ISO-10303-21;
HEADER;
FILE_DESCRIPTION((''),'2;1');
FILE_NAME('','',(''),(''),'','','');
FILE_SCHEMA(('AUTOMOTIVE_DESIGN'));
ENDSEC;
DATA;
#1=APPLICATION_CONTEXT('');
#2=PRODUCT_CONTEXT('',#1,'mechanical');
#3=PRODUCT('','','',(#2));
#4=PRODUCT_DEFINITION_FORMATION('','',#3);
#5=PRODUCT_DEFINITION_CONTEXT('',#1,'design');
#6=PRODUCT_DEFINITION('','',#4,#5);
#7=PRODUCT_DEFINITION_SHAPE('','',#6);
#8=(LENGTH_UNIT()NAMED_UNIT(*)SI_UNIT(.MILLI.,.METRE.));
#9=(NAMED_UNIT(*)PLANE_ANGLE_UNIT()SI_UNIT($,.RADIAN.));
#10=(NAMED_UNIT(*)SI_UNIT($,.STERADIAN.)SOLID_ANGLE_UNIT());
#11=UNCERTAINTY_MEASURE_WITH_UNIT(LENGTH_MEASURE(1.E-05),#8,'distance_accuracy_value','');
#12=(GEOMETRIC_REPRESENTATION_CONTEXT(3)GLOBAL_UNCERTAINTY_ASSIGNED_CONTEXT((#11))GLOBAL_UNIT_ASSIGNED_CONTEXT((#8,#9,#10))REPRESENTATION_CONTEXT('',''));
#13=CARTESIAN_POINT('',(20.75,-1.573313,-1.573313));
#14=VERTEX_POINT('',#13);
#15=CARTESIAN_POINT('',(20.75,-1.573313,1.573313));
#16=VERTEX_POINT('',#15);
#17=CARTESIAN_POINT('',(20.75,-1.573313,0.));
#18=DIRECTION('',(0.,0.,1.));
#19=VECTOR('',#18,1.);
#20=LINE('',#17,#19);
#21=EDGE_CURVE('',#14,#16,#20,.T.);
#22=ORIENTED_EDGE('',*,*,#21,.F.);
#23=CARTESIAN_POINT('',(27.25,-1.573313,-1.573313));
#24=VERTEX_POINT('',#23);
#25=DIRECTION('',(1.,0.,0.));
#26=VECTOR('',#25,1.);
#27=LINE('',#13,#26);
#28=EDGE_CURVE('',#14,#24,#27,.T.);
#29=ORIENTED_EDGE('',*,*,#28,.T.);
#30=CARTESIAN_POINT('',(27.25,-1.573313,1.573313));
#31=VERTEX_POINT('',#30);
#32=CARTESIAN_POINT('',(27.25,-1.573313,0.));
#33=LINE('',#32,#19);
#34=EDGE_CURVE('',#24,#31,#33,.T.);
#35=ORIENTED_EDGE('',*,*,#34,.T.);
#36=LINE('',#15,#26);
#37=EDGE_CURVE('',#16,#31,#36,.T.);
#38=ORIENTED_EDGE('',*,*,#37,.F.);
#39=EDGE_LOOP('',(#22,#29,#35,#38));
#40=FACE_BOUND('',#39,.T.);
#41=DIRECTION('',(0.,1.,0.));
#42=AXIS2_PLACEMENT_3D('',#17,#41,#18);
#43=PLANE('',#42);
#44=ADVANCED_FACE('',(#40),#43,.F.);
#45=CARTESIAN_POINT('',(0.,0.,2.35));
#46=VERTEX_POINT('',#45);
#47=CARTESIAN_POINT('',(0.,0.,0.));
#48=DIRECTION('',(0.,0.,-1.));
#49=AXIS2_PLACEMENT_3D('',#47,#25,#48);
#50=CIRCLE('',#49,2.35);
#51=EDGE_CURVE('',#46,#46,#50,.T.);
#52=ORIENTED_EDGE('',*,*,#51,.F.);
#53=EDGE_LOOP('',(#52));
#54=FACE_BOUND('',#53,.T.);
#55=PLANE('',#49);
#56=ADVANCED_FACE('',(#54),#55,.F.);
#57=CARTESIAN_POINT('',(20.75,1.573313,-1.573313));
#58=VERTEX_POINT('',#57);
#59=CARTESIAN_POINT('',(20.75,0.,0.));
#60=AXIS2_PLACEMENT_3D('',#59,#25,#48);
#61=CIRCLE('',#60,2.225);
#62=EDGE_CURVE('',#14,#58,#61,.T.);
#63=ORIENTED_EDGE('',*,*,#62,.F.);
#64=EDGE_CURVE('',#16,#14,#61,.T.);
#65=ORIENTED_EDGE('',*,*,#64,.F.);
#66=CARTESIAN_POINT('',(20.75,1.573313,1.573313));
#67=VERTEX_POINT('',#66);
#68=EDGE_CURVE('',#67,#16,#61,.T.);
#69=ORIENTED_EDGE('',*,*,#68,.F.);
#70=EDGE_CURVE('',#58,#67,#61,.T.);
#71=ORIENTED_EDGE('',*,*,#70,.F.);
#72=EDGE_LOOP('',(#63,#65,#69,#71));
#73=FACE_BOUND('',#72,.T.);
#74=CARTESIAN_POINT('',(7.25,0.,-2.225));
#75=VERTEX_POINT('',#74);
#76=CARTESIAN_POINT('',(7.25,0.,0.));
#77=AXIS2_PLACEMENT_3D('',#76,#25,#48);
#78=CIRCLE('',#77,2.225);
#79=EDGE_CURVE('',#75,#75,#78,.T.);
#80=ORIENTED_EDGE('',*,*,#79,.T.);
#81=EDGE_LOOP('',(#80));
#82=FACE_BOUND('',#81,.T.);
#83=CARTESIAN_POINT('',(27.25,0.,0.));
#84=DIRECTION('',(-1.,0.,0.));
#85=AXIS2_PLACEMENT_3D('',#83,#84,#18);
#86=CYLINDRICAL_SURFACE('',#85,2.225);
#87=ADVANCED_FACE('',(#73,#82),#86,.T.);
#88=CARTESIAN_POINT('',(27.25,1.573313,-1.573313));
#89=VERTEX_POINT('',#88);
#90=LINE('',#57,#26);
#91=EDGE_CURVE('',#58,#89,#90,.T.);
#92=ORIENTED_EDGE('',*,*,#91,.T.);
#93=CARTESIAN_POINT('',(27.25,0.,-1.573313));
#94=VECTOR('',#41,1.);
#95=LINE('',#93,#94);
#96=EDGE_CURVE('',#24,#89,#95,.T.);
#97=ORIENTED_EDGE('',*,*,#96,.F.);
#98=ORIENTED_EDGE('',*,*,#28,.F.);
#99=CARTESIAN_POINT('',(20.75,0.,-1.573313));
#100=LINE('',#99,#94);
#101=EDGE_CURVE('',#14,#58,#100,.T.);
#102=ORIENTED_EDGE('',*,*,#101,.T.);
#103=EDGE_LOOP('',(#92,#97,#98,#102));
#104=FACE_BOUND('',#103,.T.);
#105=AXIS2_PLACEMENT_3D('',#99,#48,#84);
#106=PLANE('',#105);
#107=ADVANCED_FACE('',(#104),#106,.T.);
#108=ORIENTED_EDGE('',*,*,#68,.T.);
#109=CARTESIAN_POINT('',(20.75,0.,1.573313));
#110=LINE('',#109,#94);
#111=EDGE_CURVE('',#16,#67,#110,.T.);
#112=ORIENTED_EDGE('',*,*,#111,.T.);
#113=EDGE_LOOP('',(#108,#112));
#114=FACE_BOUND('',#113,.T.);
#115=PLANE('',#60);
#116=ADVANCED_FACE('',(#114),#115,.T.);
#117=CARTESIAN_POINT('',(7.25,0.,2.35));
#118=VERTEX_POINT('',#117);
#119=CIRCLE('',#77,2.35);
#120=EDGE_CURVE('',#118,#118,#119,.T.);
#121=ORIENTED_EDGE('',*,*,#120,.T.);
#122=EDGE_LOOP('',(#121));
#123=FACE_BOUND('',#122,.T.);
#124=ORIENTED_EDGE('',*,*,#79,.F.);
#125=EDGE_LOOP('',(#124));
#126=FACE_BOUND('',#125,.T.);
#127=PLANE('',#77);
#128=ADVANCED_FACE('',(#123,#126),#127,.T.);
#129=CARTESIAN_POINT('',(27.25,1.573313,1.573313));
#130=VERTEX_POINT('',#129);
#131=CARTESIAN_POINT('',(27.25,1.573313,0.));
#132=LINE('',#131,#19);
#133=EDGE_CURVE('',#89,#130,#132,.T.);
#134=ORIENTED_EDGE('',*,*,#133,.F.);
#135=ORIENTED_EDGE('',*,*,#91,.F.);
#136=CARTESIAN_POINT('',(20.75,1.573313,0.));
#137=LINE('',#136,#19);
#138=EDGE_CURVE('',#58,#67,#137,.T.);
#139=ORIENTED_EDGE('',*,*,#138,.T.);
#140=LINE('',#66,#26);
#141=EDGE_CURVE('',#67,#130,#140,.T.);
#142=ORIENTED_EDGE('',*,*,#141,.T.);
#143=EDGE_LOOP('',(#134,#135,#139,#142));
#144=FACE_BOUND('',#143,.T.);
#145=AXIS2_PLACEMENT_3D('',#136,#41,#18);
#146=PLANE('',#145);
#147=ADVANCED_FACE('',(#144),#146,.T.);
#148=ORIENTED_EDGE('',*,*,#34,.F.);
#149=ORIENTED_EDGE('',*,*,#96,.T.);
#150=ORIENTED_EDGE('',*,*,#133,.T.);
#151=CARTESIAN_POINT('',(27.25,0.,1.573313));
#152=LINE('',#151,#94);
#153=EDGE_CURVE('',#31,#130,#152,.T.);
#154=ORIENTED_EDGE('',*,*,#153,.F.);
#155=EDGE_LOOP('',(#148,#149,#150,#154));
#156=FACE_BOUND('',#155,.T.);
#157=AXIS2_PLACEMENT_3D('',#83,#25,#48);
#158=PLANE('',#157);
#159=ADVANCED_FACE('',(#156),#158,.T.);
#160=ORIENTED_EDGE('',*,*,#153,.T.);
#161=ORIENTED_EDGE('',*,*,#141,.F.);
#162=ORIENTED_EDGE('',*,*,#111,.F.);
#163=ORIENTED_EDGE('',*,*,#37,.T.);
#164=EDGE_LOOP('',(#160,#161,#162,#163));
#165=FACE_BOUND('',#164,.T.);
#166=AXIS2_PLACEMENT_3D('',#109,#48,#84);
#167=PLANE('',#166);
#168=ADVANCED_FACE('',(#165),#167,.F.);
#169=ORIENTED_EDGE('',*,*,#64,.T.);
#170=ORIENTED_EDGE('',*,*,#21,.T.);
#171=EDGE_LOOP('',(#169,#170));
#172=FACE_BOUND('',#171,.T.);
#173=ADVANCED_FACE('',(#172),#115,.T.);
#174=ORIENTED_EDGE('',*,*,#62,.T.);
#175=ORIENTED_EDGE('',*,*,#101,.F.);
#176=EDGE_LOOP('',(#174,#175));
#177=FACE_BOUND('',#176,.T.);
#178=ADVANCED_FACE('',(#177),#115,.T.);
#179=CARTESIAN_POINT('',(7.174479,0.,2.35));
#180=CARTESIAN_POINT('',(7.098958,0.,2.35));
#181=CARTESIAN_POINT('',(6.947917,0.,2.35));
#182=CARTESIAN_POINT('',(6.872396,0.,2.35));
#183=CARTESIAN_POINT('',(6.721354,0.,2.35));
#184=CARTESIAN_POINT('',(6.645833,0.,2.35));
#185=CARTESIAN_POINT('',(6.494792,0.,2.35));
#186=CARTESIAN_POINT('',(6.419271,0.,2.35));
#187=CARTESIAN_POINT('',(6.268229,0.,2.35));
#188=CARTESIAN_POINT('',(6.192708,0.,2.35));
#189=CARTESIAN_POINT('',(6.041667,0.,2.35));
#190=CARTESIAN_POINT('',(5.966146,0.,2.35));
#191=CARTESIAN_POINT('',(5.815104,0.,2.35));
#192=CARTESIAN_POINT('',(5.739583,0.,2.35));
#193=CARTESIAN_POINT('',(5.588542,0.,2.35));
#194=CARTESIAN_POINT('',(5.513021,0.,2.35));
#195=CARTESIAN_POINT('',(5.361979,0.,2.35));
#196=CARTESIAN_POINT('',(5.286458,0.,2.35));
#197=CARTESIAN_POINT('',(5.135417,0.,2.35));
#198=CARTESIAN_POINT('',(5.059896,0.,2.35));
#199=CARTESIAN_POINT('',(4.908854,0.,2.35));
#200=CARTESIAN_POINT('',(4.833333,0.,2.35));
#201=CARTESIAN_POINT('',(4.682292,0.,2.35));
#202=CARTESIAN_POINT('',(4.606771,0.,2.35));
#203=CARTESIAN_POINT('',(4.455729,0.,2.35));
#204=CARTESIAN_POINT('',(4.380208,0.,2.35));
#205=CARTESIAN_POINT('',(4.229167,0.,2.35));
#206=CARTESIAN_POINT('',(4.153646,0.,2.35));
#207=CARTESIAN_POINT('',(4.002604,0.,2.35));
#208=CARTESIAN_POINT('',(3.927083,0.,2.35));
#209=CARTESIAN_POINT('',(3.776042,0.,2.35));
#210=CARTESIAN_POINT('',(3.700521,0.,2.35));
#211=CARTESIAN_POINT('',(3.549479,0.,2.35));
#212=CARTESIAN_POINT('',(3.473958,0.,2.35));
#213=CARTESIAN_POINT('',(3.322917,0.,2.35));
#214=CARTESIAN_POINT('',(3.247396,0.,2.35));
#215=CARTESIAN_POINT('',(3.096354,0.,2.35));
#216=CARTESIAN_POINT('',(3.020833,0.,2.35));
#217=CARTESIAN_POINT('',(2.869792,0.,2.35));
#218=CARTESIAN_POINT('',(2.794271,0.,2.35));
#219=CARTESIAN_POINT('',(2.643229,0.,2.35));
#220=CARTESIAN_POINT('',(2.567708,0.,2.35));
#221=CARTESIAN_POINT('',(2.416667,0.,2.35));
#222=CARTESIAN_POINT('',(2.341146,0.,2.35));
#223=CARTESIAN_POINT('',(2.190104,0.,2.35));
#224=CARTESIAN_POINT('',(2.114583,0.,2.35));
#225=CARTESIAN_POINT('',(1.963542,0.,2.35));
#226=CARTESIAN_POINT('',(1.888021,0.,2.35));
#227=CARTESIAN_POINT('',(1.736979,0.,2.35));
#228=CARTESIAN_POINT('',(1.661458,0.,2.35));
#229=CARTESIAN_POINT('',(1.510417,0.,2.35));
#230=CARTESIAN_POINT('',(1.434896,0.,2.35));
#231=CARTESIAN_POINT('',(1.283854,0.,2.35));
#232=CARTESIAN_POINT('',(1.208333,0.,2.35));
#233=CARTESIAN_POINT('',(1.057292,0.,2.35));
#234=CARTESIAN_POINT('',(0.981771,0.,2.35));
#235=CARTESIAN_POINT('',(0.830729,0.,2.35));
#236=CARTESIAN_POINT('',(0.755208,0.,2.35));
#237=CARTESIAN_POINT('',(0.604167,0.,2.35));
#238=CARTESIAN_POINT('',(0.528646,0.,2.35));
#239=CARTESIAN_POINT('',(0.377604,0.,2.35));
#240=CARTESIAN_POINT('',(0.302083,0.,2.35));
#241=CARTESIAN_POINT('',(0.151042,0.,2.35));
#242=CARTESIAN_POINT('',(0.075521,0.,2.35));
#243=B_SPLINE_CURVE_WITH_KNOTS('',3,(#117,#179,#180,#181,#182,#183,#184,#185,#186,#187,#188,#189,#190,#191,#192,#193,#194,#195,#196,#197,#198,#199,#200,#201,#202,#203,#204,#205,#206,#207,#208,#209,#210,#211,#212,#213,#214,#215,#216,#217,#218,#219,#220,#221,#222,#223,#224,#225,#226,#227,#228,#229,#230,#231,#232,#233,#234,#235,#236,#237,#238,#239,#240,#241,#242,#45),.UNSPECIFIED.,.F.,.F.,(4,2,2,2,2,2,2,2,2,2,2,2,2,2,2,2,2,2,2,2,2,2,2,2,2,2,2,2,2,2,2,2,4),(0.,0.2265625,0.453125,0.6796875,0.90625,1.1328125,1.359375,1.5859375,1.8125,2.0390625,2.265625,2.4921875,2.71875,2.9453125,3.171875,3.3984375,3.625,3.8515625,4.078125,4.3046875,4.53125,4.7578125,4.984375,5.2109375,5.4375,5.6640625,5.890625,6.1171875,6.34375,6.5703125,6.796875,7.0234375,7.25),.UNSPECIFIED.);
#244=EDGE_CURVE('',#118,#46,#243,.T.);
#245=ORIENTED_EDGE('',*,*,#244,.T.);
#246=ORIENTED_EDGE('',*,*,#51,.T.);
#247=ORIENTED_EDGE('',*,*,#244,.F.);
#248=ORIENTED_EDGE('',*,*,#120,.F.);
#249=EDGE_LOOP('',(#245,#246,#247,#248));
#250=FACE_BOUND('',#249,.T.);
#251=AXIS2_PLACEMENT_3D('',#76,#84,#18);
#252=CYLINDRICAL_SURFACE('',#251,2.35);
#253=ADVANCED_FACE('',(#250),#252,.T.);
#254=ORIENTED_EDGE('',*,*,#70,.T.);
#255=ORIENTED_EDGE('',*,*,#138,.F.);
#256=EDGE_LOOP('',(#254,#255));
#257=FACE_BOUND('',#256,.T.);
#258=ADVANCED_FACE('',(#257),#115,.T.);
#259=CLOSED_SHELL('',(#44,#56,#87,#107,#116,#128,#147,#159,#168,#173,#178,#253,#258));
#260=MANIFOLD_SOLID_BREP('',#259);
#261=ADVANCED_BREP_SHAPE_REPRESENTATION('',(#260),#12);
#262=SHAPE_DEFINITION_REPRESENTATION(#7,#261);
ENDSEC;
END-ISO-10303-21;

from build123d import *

# Parameters (mm, degrees)
CROQUIS1_R              = 2.35
CROQUIS1_R_2            = 2.225
SALIENTE_EXTRUIR1_DEPTH = 7.25
SALIENTE_EXTRUIR2_START = 7.25
CROQUIS1_3_R            = 2.225
SALIENTE_EXTRUIR2_DEPTH = 20
CORTAR_EXTRUIR1_START   = -6.5
CORTAR_EXTRUIR1_DEPTH   = 6.5


with BuildPart() as part:
    # Croquis1 → Saliente-Extruir1 (new body)
    # profile 1 of 2: a face of its own
    with BuildSketch(Plane.YZ):
        with Locations(Location((0, 0, 0), (0, 0, 90))):
            Circle(CROQUIS1_R)
        Circle(CROQUIS1_R_2, mode=Mode.SUBTRACT)
    # profile 2 of 2: a face of its own
    with BuildSketch(Plane.YZ):
        Circle(CROQUIS1_R_2)
    extrude(amount=SALIENTE_EXTRUIR1_DEPTH)

    # Croquis1<3> → Saliente-Extruir2 (add)
    with BuildSketch(Plane.YZ.offset(SALIENTE_EXTRUIR2_START)):
        with Locations(Location((0, 0, 0), (0, 0, 270))):
            Circle(CROQUIS1_3_R)
    extrude(amount=SALIENTE_EXTRUIR2_DEPTH)

    # Croquis3 → Cortar-Extruir1 (cut)
    with BuildSketch(Plane.YZ.offset(27.25).offset(CORTAR_EXTRUIR1_START)):
        with BuildLine():
            ThreePointArc((1.573312588, 1.573312588), (0, 2.225), (-1.573312588, 1.573312588))
            Line((-1.573312588, 1.573312588), (1.573312588, 1.573312588))
        make_face()
        with BuildLine():
            ThreePointArc((-1.573312588, 1.573312588), (-2.225, 0), (-1.573312588, -1.573312588))
            Line((-1.573312588, -1.573312588), (-1.573312588, 1.573312588))
        make_face()
        with BuildLine():
            Line((1.573312588, 1.573312588), (1.573312588, -1.573312588))
            ThreePointArc((1.573312588, -1.573312588), (2.05563196, -0.851470637), (2.225, 0))
            ThreePointArc((2.225, 0), (2.05563196, 0.851470637), (1.573312588, 1.573312588))
        make_face()
        with BuildLine():
            Line((1.573312588, -1.573312588), (-1.573312588, -1.573312588))
            ThreePointArc((-1.573312588, -1.573312588), (0, -2.225), (1.573312588, -1.573312588))
        make_face()
    extrude(amount=CORTAR_EXTRUIR1_DEPTH, mode=Mode.SUBTRACT)


solid = part.part
